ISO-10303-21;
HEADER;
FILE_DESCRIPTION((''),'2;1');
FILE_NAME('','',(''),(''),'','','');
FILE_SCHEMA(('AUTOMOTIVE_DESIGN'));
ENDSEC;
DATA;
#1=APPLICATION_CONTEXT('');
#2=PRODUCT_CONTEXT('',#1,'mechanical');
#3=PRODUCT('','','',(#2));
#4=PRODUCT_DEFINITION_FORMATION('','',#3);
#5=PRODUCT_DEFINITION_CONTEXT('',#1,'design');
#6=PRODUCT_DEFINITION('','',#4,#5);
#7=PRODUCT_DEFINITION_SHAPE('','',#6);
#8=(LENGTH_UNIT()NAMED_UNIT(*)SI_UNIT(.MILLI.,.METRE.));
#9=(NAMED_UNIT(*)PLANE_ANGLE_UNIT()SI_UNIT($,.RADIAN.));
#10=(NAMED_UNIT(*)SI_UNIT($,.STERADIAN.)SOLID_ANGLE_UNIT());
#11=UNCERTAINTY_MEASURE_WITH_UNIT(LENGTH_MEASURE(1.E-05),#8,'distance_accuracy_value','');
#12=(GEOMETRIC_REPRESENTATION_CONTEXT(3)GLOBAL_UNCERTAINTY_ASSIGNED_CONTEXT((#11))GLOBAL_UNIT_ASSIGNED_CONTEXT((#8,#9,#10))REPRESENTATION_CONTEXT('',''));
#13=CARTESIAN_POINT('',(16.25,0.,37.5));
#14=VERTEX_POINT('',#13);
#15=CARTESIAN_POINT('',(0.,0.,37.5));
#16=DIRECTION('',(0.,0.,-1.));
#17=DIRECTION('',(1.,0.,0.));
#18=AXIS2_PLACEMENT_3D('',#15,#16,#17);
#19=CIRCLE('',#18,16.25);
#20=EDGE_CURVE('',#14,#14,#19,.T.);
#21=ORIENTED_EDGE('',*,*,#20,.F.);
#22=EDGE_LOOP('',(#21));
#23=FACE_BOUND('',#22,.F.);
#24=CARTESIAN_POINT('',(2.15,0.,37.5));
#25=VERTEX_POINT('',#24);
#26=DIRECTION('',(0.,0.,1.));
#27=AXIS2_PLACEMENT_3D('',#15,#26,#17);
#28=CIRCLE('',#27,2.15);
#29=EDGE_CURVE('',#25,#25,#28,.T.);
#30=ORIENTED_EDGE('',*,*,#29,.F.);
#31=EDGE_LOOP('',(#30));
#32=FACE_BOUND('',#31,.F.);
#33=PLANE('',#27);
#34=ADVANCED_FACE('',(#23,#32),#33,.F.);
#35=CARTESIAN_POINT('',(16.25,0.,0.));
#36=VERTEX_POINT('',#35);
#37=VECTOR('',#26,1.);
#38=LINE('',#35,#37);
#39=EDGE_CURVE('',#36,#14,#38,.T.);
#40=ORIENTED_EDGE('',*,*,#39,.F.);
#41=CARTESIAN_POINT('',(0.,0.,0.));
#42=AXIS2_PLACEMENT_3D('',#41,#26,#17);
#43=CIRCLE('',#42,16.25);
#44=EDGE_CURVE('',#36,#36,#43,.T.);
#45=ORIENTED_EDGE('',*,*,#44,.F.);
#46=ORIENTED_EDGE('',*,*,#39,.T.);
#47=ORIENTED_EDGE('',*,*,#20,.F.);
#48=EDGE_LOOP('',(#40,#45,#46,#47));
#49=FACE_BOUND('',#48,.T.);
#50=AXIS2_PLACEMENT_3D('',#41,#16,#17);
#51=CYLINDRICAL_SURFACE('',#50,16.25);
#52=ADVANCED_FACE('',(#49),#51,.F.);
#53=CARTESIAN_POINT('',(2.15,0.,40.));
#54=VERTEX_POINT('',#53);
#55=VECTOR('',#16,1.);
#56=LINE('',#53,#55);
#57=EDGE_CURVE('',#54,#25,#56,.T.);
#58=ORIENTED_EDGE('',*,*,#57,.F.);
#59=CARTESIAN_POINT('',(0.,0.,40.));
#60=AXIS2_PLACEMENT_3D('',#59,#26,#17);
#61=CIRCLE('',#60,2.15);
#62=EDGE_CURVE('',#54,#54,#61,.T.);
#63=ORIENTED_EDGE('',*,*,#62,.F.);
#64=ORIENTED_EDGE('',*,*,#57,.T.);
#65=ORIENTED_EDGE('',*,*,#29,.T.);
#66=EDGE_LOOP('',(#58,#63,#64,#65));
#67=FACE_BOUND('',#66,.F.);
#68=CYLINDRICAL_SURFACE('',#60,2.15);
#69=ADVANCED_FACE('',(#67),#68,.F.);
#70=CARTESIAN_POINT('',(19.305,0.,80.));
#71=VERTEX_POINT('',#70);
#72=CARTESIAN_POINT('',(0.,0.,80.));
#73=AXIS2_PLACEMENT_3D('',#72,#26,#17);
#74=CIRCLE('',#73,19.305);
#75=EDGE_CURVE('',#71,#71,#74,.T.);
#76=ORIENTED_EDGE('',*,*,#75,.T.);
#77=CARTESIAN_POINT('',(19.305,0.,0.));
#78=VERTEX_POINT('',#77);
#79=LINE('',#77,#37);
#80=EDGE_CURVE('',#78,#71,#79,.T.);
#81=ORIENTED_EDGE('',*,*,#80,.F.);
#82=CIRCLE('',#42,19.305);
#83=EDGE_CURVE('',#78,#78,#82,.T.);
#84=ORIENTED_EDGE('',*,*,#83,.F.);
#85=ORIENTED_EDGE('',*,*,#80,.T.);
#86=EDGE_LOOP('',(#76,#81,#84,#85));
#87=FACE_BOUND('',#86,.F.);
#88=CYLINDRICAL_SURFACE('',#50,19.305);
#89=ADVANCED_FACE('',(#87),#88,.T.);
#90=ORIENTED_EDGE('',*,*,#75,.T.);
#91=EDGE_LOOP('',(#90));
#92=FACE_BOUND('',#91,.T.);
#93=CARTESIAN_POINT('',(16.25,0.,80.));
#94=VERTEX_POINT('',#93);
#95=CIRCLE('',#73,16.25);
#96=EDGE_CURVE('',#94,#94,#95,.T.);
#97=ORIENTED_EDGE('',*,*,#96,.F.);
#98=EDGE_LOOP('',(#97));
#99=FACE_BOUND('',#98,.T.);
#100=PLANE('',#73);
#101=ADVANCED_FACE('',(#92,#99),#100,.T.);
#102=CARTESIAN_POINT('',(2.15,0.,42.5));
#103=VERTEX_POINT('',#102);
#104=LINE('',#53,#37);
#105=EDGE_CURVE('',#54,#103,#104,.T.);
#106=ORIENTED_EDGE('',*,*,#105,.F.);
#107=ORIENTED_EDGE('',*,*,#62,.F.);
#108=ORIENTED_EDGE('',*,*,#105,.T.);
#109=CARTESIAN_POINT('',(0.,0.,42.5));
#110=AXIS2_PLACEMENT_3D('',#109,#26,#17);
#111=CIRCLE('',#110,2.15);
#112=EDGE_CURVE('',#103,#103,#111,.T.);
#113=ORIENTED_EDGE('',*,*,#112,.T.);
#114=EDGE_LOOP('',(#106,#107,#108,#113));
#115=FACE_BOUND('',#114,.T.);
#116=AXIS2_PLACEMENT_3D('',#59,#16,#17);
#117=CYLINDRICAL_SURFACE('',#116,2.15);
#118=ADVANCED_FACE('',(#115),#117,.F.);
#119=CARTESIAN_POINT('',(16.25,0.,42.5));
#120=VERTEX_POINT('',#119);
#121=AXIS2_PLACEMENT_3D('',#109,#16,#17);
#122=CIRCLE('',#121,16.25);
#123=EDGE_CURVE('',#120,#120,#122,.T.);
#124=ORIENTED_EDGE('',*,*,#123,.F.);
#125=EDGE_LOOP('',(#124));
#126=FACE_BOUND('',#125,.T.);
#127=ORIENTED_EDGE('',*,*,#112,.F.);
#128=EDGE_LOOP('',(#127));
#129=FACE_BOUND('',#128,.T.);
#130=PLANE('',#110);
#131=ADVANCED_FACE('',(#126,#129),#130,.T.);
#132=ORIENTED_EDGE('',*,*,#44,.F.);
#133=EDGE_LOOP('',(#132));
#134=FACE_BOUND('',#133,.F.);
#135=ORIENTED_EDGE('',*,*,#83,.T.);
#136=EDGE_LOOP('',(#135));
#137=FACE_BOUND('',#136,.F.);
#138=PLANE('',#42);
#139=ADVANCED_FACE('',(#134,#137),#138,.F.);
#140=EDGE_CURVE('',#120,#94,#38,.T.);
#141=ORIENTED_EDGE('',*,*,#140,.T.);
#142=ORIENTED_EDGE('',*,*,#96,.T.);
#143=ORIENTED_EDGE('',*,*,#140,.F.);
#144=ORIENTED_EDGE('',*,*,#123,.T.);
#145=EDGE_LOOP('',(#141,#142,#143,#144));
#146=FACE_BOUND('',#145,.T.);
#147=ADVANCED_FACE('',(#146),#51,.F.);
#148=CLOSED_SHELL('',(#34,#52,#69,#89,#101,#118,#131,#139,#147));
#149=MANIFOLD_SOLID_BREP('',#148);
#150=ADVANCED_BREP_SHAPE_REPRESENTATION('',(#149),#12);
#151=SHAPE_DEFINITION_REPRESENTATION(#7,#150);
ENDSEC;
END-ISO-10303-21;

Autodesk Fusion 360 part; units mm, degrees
sketch "Sketch1" plane through (0, 0, 0) normal (0, 0, 1) x (1, 0, 0)
  circle A0 centre (0, 0) radius 19.305
  circle A1 centre (0, 0) radius 16.25
  dimension "d1" = 38.61
  dimension "d9" = 32.5
extrude "Extrude1" add sketch "Sketch1" along normal blind 80 makes body 1
ref_plane "WorkPlane1" through (0, 0, 40) normal (0, 0, 1) x (1, 0, 0)
sketch "Sketch2" plane through (0, 0, 40) normal (0, 0, 1) x (1, 0, 0)
  circle A0 centre (0, 0) radius 18.6687
  circle A1 centre (0, 0) radius 2.15
  dimension "d6" = 4.3
extrude "Extrude2" add sketch "Sketch2" along normal mid plane 5 separate body makes body 2
combine "Combine1" operation add target body 1 tool bodies 2
